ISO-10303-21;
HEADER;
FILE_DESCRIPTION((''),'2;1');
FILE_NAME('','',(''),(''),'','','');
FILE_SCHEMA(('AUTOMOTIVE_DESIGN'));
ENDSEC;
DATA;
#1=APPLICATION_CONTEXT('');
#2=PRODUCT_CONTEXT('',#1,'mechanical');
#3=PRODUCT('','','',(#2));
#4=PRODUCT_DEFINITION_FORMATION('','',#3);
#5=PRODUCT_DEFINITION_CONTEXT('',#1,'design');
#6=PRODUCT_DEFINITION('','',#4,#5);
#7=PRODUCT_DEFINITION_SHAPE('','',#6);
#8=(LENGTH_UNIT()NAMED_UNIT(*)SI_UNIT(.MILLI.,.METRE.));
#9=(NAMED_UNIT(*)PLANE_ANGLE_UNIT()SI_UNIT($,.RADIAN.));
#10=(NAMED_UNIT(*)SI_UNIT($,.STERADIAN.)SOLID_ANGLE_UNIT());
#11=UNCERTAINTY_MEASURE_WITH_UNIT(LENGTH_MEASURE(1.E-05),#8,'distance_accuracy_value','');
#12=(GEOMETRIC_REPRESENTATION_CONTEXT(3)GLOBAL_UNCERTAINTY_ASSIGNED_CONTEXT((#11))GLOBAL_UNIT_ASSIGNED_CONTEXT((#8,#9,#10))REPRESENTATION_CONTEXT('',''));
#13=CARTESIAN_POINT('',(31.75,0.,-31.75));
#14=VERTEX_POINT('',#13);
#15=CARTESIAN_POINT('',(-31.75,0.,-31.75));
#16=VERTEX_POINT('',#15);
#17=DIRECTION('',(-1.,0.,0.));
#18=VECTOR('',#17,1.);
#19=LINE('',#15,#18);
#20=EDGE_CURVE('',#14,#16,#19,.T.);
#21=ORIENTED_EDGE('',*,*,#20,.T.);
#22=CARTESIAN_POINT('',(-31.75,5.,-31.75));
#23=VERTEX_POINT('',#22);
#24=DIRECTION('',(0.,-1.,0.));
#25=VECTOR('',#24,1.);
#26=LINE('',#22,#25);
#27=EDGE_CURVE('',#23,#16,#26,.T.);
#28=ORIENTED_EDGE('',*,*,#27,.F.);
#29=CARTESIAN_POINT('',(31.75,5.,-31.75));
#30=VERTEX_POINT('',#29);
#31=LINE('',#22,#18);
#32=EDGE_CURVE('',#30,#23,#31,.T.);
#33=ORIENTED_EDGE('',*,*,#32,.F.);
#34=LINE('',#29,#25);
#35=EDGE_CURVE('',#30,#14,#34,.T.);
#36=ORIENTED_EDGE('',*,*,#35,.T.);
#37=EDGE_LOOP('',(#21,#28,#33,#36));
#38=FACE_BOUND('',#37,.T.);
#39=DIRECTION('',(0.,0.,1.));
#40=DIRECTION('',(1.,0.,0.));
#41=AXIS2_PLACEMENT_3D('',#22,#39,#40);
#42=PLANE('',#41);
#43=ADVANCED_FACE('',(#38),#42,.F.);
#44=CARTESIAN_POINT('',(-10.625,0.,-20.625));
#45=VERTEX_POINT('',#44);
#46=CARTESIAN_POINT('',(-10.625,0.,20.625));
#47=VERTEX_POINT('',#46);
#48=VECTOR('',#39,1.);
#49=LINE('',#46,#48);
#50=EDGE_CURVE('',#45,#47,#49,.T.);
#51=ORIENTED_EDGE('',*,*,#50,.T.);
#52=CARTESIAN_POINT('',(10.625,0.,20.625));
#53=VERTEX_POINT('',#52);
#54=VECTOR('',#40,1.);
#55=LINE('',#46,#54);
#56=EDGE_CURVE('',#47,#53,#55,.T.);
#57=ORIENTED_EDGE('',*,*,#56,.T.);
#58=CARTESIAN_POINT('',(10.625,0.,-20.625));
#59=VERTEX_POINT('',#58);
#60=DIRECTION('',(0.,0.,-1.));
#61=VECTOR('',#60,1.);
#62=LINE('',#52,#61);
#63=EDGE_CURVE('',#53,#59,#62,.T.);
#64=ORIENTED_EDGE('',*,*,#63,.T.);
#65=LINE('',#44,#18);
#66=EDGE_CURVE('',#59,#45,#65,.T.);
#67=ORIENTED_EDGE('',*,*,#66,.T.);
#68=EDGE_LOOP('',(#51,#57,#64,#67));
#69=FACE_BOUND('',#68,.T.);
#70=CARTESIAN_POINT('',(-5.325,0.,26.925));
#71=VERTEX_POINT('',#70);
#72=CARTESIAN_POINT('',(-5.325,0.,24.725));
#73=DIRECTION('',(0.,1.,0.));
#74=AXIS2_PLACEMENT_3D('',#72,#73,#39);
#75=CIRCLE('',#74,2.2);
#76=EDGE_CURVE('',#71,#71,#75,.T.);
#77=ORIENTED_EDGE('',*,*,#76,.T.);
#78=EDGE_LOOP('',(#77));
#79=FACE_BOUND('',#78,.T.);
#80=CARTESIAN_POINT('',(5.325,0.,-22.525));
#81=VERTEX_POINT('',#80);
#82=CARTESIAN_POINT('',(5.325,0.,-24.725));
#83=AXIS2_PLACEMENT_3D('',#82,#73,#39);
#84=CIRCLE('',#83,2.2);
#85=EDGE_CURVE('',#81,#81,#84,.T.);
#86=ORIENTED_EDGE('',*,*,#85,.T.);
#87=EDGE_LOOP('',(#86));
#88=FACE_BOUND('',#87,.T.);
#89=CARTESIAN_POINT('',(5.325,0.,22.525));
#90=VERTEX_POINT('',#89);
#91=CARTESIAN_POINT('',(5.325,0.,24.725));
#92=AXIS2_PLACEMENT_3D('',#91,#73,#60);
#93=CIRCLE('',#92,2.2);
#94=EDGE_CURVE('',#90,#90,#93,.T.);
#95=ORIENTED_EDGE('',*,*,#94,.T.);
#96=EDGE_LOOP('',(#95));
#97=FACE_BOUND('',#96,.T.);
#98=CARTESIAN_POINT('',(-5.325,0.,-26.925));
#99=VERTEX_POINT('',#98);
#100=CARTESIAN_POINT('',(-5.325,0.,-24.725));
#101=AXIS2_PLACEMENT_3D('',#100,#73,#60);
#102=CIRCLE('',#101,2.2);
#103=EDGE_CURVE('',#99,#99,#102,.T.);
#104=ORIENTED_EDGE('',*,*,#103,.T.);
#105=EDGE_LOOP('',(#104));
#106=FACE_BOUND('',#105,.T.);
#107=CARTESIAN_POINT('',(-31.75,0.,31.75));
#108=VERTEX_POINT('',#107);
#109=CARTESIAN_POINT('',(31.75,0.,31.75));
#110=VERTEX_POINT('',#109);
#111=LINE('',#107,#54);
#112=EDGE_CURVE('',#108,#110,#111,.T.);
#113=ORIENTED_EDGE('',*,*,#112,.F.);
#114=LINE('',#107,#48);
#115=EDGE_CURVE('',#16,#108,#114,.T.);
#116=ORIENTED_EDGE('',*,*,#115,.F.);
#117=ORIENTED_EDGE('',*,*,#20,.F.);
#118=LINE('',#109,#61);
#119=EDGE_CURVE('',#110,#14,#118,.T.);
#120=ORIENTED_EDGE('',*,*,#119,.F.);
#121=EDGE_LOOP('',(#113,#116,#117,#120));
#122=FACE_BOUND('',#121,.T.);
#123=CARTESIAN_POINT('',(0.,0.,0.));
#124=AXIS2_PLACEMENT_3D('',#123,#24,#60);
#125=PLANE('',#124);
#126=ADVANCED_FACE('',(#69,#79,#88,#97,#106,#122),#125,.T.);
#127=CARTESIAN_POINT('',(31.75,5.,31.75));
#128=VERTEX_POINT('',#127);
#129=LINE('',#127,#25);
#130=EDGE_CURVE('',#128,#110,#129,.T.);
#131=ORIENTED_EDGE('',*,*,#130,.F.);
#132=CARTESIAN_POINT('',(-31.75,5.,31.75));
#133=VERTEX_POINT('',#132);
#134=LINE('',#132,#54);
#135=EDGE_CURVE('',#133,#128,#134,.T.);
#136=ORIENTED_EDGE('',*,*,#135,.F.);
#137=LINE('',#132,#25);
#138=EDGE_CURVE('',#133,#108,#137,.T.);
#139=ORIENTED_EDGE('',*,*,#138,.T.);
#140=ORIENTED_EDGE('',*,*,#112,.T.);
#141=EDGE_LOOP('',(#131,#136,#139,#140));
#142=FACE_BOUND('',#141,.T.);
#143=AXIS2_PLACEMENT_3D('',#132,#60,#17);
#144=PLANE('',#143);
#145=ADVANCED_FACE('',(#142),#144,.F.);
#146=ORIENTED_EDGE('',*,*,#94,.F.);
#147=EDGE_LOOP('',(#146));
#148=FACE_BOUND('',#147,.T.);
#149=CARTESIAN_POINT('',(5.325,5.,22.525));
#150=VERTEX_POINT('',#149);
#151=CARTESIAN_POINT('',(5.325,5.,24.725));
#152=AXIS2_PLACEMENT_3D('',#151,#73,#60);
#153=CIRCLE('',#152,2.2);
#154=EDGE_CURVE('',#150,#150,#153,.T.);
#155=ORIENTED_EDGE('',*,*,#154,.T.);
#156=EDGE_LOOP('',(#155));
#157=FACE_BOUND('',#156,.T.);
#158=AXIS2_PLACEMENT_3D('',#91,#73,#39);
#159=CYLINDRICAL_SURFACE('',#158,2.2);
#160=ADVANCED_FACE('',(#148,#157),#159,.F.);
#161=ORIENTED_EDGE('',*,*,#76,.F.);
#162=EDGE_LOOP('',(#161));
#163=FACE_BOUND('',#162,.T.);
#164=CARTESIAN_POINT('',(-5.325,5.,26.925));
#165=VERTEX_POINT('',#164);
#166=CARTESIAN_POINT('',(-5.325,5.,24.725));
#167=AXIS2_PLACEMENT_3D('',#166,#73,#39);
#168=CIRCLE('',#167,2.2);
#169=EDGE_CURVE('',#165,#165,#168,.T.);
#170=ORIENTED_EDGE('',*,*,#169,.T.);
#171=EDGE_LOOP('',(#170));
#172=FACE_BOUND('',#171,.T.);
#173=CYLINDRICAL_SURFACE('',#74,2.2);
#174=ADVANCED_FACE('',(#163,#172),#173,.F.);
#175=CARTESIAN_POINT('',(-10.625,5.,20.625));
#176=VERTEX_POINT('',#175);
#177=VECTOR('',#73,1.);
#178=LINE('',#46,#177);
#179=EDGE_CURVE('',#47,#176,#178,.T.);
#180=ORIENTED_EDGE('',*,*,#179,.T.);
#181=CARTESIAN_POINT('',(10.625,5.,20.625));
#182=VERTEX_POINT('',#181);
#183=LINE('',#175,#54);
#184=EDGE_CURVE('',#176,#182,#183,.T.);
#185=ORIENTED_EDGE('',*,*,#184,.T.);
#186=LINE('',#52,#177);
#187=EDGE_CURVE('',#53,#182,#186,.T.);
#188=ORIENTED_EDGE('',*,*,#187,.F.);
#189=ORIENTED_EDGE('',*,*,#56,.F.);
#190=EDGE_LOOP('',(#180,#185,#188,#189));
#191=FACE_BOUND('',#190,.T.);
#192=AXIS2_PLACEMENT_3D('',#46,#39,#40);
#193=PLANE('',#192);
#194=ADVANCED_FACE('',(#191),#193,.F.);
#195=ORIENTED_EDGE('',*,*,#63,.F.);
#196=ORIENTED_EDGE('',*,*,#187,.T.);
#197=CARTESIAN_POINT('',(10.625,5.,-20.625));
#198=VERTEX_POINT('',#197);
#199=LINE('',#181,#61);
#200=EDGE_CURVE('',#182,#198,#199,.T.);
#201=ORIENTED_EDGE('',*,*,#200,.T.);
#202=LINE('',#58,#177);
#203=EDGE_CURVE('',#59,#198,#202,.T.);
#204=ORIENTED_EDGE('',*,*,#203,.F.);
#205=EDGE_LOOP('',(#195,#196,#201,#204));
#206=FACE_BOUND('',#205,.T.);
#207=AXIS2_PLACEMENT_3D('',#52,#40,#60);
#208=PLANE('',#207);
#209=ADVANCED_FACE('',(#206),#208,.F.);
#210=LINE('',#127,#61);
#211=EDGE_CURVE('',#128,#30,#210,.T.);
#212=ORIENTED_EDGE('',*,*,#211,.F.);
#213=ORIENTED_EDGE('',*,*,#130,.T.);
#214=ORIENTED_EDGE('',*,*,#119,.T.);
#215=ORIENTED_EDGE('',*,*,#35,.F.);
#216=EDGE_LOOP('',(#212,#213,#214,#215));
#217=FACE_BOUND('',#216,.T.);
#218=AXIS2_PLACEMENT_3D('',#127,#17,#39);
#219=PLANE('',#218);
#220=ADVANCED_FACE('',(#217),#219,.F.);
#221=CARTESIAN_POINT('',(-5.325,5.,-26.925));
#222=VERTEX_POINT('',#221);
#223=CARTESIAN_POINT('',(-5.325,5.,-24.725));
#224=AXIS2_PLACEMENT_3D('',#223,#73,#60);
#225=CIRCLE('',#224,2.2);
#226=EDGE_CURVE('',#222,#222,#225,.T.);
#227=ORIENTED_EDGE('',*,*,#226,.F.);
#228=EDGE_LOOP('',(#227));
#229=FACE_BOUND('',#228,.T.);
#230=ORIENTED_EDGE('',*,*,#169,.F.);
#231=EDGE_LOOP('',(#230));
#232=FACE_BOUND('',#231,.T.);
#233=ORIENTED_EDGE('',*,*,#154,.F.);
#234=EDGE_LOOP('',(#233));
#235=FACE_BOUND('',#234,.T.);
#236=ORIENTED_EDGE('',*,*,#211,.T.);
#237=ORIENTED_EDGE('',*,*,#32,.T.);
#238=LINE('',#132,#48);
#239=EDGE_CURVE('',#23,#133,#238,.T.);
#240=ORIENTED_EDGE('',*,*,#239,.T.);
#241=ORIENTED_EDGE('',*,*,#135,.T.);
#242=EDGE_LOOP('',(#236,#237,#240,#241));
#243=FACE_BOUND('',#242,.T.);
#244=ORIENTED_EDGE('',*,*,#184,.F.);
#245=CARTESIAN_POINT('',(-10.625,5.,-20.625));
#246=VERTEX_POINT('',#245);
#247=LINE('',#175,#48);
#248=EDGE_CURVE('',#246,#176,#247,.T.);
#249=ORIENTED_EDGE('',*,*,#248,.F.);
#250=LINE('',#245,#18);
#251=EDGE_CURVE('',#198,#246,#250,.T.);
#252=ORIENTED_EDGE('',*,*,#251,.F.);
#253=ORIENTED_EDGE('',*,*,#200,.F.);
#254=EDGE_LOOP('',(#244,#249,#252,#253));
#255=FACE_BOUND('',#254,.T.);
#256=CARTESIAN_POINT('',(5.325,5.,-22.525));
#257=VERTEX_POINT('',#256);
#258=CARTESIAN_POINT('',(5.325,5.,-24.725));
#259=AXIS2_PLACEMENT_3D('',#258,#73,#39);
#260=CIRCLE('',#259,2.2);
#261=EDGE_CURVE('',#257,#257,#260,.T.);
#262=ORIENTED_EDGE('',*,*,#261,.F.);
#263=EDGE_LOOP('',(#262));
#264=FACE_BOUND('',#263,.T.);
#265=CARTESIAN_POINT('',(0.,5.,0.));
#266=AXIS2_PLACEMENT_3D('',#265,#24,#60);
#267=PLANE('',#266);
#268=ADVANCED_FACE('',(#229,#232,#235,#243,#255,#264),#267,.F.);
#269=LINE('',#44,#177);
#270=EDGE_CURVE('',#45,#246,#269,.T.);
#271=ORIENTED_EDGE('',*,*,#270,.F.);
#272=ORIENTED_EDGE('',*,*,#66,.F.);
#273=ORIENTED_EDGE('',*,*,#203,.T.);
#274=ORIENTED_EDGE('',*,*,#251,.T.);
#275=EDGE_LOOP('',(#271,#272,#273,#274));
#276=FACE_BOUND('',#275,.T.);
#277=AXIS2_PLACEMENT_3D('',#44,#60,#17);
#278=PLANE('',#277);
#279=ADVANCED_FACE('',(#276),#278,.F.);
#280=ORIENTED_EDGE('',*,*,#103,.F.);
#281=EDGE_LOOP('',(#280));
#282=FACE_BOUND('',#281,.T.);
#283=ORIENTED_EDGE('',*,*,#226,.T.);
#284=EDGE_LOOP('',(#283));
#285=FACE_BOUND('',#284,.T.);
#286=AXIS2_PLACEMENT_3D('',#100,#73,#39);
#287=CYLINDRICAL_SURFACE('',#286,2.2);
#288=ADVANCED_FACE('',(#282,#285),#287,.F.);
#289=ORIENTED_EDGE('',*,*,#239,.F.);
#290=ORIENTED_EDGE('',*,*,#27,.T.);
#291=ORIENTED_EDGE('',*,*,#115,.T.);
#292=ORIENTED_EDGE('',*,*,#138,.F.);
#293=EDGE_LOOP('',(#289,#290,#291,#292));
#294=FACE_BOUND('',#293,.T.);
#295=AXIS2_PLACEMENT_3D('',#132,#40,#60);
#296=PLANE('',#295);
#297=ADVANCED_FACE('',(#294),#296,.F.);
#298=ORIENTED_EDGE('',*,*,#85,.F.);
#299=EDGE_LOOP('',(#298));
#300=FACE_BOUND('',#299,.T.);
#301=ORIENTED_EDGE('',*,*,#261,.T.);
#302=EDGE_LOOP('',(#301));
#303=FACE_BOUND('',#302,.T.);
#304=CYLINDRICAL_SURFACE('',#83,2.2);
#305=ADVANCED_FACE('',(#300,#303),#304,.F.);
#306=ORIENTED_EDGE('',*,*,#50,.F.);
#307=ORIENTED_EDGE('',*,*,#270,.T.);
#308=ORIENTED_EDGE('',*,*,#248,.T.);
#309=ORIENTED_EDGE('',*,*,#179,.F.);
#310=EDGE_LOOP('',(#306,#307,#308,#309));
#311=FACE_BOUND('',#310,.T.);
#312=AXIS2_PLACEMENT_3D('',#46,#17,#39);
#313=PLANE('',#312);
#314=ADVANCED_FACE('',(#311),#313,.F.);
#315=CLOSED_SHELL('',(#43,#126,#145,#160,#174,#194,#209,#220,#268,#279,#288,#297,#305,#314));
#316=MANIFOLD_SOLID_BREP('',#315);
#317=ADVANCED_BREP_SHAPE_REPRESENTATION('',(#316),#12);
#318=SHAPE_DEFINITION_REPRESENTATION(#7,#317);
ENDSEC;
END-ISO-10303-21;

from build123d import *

# Parameters (mm, degrees)
SKETCH2_W           = 63.5
SKETCH2_H           = 63.5
BOSS_EXTRUDE1_DEPTH = 5
SKETCH3_R           = 2.2
SKETCH3_W           = 21.25
SKETCH3_H           = 41.25
CUT_EXTRUDE1_DEPTH  = 6


with BuildPart() as part:
    # Sketch2 → Boss-Extrude1 (new body)
    with BuildSketch(Plane(origin=(0, 0, 0), x_dir=(1, 0, 0), z_dir=(0, 1, 0))):
        Rectangle(SKETCH2_W, SKETCH2_H)
    extrude(amount=BOSS_EXTRUDE1_DEPTH)

    # Sketch3 → Cut-Extrude1 (cut, through all)
    with BuildSketch(Plane(origin=(0, 5, 0), x_dir=(1, 0, 0), z_dir=(0, 1, 0))):
        with Locations((5.325, 24.725)):
            Circle(SKETCH3_R)
        with Locations((-5.325, 24.725)):
            Circle(SKETCH3_R)
        with Locations((5.325, -24.725)):
            Circle(SKETCH3_R)
        with Locations((-5.325, -24.725)):
            Circle(SKETCH3_R)
        Rectangle(SKETCH3_W, SKETCH3_H)
    extrude(amount=-CUT_EXTRUDE1_DEPTH, mode=Mode.SUBTRACT)


solid = part.part
